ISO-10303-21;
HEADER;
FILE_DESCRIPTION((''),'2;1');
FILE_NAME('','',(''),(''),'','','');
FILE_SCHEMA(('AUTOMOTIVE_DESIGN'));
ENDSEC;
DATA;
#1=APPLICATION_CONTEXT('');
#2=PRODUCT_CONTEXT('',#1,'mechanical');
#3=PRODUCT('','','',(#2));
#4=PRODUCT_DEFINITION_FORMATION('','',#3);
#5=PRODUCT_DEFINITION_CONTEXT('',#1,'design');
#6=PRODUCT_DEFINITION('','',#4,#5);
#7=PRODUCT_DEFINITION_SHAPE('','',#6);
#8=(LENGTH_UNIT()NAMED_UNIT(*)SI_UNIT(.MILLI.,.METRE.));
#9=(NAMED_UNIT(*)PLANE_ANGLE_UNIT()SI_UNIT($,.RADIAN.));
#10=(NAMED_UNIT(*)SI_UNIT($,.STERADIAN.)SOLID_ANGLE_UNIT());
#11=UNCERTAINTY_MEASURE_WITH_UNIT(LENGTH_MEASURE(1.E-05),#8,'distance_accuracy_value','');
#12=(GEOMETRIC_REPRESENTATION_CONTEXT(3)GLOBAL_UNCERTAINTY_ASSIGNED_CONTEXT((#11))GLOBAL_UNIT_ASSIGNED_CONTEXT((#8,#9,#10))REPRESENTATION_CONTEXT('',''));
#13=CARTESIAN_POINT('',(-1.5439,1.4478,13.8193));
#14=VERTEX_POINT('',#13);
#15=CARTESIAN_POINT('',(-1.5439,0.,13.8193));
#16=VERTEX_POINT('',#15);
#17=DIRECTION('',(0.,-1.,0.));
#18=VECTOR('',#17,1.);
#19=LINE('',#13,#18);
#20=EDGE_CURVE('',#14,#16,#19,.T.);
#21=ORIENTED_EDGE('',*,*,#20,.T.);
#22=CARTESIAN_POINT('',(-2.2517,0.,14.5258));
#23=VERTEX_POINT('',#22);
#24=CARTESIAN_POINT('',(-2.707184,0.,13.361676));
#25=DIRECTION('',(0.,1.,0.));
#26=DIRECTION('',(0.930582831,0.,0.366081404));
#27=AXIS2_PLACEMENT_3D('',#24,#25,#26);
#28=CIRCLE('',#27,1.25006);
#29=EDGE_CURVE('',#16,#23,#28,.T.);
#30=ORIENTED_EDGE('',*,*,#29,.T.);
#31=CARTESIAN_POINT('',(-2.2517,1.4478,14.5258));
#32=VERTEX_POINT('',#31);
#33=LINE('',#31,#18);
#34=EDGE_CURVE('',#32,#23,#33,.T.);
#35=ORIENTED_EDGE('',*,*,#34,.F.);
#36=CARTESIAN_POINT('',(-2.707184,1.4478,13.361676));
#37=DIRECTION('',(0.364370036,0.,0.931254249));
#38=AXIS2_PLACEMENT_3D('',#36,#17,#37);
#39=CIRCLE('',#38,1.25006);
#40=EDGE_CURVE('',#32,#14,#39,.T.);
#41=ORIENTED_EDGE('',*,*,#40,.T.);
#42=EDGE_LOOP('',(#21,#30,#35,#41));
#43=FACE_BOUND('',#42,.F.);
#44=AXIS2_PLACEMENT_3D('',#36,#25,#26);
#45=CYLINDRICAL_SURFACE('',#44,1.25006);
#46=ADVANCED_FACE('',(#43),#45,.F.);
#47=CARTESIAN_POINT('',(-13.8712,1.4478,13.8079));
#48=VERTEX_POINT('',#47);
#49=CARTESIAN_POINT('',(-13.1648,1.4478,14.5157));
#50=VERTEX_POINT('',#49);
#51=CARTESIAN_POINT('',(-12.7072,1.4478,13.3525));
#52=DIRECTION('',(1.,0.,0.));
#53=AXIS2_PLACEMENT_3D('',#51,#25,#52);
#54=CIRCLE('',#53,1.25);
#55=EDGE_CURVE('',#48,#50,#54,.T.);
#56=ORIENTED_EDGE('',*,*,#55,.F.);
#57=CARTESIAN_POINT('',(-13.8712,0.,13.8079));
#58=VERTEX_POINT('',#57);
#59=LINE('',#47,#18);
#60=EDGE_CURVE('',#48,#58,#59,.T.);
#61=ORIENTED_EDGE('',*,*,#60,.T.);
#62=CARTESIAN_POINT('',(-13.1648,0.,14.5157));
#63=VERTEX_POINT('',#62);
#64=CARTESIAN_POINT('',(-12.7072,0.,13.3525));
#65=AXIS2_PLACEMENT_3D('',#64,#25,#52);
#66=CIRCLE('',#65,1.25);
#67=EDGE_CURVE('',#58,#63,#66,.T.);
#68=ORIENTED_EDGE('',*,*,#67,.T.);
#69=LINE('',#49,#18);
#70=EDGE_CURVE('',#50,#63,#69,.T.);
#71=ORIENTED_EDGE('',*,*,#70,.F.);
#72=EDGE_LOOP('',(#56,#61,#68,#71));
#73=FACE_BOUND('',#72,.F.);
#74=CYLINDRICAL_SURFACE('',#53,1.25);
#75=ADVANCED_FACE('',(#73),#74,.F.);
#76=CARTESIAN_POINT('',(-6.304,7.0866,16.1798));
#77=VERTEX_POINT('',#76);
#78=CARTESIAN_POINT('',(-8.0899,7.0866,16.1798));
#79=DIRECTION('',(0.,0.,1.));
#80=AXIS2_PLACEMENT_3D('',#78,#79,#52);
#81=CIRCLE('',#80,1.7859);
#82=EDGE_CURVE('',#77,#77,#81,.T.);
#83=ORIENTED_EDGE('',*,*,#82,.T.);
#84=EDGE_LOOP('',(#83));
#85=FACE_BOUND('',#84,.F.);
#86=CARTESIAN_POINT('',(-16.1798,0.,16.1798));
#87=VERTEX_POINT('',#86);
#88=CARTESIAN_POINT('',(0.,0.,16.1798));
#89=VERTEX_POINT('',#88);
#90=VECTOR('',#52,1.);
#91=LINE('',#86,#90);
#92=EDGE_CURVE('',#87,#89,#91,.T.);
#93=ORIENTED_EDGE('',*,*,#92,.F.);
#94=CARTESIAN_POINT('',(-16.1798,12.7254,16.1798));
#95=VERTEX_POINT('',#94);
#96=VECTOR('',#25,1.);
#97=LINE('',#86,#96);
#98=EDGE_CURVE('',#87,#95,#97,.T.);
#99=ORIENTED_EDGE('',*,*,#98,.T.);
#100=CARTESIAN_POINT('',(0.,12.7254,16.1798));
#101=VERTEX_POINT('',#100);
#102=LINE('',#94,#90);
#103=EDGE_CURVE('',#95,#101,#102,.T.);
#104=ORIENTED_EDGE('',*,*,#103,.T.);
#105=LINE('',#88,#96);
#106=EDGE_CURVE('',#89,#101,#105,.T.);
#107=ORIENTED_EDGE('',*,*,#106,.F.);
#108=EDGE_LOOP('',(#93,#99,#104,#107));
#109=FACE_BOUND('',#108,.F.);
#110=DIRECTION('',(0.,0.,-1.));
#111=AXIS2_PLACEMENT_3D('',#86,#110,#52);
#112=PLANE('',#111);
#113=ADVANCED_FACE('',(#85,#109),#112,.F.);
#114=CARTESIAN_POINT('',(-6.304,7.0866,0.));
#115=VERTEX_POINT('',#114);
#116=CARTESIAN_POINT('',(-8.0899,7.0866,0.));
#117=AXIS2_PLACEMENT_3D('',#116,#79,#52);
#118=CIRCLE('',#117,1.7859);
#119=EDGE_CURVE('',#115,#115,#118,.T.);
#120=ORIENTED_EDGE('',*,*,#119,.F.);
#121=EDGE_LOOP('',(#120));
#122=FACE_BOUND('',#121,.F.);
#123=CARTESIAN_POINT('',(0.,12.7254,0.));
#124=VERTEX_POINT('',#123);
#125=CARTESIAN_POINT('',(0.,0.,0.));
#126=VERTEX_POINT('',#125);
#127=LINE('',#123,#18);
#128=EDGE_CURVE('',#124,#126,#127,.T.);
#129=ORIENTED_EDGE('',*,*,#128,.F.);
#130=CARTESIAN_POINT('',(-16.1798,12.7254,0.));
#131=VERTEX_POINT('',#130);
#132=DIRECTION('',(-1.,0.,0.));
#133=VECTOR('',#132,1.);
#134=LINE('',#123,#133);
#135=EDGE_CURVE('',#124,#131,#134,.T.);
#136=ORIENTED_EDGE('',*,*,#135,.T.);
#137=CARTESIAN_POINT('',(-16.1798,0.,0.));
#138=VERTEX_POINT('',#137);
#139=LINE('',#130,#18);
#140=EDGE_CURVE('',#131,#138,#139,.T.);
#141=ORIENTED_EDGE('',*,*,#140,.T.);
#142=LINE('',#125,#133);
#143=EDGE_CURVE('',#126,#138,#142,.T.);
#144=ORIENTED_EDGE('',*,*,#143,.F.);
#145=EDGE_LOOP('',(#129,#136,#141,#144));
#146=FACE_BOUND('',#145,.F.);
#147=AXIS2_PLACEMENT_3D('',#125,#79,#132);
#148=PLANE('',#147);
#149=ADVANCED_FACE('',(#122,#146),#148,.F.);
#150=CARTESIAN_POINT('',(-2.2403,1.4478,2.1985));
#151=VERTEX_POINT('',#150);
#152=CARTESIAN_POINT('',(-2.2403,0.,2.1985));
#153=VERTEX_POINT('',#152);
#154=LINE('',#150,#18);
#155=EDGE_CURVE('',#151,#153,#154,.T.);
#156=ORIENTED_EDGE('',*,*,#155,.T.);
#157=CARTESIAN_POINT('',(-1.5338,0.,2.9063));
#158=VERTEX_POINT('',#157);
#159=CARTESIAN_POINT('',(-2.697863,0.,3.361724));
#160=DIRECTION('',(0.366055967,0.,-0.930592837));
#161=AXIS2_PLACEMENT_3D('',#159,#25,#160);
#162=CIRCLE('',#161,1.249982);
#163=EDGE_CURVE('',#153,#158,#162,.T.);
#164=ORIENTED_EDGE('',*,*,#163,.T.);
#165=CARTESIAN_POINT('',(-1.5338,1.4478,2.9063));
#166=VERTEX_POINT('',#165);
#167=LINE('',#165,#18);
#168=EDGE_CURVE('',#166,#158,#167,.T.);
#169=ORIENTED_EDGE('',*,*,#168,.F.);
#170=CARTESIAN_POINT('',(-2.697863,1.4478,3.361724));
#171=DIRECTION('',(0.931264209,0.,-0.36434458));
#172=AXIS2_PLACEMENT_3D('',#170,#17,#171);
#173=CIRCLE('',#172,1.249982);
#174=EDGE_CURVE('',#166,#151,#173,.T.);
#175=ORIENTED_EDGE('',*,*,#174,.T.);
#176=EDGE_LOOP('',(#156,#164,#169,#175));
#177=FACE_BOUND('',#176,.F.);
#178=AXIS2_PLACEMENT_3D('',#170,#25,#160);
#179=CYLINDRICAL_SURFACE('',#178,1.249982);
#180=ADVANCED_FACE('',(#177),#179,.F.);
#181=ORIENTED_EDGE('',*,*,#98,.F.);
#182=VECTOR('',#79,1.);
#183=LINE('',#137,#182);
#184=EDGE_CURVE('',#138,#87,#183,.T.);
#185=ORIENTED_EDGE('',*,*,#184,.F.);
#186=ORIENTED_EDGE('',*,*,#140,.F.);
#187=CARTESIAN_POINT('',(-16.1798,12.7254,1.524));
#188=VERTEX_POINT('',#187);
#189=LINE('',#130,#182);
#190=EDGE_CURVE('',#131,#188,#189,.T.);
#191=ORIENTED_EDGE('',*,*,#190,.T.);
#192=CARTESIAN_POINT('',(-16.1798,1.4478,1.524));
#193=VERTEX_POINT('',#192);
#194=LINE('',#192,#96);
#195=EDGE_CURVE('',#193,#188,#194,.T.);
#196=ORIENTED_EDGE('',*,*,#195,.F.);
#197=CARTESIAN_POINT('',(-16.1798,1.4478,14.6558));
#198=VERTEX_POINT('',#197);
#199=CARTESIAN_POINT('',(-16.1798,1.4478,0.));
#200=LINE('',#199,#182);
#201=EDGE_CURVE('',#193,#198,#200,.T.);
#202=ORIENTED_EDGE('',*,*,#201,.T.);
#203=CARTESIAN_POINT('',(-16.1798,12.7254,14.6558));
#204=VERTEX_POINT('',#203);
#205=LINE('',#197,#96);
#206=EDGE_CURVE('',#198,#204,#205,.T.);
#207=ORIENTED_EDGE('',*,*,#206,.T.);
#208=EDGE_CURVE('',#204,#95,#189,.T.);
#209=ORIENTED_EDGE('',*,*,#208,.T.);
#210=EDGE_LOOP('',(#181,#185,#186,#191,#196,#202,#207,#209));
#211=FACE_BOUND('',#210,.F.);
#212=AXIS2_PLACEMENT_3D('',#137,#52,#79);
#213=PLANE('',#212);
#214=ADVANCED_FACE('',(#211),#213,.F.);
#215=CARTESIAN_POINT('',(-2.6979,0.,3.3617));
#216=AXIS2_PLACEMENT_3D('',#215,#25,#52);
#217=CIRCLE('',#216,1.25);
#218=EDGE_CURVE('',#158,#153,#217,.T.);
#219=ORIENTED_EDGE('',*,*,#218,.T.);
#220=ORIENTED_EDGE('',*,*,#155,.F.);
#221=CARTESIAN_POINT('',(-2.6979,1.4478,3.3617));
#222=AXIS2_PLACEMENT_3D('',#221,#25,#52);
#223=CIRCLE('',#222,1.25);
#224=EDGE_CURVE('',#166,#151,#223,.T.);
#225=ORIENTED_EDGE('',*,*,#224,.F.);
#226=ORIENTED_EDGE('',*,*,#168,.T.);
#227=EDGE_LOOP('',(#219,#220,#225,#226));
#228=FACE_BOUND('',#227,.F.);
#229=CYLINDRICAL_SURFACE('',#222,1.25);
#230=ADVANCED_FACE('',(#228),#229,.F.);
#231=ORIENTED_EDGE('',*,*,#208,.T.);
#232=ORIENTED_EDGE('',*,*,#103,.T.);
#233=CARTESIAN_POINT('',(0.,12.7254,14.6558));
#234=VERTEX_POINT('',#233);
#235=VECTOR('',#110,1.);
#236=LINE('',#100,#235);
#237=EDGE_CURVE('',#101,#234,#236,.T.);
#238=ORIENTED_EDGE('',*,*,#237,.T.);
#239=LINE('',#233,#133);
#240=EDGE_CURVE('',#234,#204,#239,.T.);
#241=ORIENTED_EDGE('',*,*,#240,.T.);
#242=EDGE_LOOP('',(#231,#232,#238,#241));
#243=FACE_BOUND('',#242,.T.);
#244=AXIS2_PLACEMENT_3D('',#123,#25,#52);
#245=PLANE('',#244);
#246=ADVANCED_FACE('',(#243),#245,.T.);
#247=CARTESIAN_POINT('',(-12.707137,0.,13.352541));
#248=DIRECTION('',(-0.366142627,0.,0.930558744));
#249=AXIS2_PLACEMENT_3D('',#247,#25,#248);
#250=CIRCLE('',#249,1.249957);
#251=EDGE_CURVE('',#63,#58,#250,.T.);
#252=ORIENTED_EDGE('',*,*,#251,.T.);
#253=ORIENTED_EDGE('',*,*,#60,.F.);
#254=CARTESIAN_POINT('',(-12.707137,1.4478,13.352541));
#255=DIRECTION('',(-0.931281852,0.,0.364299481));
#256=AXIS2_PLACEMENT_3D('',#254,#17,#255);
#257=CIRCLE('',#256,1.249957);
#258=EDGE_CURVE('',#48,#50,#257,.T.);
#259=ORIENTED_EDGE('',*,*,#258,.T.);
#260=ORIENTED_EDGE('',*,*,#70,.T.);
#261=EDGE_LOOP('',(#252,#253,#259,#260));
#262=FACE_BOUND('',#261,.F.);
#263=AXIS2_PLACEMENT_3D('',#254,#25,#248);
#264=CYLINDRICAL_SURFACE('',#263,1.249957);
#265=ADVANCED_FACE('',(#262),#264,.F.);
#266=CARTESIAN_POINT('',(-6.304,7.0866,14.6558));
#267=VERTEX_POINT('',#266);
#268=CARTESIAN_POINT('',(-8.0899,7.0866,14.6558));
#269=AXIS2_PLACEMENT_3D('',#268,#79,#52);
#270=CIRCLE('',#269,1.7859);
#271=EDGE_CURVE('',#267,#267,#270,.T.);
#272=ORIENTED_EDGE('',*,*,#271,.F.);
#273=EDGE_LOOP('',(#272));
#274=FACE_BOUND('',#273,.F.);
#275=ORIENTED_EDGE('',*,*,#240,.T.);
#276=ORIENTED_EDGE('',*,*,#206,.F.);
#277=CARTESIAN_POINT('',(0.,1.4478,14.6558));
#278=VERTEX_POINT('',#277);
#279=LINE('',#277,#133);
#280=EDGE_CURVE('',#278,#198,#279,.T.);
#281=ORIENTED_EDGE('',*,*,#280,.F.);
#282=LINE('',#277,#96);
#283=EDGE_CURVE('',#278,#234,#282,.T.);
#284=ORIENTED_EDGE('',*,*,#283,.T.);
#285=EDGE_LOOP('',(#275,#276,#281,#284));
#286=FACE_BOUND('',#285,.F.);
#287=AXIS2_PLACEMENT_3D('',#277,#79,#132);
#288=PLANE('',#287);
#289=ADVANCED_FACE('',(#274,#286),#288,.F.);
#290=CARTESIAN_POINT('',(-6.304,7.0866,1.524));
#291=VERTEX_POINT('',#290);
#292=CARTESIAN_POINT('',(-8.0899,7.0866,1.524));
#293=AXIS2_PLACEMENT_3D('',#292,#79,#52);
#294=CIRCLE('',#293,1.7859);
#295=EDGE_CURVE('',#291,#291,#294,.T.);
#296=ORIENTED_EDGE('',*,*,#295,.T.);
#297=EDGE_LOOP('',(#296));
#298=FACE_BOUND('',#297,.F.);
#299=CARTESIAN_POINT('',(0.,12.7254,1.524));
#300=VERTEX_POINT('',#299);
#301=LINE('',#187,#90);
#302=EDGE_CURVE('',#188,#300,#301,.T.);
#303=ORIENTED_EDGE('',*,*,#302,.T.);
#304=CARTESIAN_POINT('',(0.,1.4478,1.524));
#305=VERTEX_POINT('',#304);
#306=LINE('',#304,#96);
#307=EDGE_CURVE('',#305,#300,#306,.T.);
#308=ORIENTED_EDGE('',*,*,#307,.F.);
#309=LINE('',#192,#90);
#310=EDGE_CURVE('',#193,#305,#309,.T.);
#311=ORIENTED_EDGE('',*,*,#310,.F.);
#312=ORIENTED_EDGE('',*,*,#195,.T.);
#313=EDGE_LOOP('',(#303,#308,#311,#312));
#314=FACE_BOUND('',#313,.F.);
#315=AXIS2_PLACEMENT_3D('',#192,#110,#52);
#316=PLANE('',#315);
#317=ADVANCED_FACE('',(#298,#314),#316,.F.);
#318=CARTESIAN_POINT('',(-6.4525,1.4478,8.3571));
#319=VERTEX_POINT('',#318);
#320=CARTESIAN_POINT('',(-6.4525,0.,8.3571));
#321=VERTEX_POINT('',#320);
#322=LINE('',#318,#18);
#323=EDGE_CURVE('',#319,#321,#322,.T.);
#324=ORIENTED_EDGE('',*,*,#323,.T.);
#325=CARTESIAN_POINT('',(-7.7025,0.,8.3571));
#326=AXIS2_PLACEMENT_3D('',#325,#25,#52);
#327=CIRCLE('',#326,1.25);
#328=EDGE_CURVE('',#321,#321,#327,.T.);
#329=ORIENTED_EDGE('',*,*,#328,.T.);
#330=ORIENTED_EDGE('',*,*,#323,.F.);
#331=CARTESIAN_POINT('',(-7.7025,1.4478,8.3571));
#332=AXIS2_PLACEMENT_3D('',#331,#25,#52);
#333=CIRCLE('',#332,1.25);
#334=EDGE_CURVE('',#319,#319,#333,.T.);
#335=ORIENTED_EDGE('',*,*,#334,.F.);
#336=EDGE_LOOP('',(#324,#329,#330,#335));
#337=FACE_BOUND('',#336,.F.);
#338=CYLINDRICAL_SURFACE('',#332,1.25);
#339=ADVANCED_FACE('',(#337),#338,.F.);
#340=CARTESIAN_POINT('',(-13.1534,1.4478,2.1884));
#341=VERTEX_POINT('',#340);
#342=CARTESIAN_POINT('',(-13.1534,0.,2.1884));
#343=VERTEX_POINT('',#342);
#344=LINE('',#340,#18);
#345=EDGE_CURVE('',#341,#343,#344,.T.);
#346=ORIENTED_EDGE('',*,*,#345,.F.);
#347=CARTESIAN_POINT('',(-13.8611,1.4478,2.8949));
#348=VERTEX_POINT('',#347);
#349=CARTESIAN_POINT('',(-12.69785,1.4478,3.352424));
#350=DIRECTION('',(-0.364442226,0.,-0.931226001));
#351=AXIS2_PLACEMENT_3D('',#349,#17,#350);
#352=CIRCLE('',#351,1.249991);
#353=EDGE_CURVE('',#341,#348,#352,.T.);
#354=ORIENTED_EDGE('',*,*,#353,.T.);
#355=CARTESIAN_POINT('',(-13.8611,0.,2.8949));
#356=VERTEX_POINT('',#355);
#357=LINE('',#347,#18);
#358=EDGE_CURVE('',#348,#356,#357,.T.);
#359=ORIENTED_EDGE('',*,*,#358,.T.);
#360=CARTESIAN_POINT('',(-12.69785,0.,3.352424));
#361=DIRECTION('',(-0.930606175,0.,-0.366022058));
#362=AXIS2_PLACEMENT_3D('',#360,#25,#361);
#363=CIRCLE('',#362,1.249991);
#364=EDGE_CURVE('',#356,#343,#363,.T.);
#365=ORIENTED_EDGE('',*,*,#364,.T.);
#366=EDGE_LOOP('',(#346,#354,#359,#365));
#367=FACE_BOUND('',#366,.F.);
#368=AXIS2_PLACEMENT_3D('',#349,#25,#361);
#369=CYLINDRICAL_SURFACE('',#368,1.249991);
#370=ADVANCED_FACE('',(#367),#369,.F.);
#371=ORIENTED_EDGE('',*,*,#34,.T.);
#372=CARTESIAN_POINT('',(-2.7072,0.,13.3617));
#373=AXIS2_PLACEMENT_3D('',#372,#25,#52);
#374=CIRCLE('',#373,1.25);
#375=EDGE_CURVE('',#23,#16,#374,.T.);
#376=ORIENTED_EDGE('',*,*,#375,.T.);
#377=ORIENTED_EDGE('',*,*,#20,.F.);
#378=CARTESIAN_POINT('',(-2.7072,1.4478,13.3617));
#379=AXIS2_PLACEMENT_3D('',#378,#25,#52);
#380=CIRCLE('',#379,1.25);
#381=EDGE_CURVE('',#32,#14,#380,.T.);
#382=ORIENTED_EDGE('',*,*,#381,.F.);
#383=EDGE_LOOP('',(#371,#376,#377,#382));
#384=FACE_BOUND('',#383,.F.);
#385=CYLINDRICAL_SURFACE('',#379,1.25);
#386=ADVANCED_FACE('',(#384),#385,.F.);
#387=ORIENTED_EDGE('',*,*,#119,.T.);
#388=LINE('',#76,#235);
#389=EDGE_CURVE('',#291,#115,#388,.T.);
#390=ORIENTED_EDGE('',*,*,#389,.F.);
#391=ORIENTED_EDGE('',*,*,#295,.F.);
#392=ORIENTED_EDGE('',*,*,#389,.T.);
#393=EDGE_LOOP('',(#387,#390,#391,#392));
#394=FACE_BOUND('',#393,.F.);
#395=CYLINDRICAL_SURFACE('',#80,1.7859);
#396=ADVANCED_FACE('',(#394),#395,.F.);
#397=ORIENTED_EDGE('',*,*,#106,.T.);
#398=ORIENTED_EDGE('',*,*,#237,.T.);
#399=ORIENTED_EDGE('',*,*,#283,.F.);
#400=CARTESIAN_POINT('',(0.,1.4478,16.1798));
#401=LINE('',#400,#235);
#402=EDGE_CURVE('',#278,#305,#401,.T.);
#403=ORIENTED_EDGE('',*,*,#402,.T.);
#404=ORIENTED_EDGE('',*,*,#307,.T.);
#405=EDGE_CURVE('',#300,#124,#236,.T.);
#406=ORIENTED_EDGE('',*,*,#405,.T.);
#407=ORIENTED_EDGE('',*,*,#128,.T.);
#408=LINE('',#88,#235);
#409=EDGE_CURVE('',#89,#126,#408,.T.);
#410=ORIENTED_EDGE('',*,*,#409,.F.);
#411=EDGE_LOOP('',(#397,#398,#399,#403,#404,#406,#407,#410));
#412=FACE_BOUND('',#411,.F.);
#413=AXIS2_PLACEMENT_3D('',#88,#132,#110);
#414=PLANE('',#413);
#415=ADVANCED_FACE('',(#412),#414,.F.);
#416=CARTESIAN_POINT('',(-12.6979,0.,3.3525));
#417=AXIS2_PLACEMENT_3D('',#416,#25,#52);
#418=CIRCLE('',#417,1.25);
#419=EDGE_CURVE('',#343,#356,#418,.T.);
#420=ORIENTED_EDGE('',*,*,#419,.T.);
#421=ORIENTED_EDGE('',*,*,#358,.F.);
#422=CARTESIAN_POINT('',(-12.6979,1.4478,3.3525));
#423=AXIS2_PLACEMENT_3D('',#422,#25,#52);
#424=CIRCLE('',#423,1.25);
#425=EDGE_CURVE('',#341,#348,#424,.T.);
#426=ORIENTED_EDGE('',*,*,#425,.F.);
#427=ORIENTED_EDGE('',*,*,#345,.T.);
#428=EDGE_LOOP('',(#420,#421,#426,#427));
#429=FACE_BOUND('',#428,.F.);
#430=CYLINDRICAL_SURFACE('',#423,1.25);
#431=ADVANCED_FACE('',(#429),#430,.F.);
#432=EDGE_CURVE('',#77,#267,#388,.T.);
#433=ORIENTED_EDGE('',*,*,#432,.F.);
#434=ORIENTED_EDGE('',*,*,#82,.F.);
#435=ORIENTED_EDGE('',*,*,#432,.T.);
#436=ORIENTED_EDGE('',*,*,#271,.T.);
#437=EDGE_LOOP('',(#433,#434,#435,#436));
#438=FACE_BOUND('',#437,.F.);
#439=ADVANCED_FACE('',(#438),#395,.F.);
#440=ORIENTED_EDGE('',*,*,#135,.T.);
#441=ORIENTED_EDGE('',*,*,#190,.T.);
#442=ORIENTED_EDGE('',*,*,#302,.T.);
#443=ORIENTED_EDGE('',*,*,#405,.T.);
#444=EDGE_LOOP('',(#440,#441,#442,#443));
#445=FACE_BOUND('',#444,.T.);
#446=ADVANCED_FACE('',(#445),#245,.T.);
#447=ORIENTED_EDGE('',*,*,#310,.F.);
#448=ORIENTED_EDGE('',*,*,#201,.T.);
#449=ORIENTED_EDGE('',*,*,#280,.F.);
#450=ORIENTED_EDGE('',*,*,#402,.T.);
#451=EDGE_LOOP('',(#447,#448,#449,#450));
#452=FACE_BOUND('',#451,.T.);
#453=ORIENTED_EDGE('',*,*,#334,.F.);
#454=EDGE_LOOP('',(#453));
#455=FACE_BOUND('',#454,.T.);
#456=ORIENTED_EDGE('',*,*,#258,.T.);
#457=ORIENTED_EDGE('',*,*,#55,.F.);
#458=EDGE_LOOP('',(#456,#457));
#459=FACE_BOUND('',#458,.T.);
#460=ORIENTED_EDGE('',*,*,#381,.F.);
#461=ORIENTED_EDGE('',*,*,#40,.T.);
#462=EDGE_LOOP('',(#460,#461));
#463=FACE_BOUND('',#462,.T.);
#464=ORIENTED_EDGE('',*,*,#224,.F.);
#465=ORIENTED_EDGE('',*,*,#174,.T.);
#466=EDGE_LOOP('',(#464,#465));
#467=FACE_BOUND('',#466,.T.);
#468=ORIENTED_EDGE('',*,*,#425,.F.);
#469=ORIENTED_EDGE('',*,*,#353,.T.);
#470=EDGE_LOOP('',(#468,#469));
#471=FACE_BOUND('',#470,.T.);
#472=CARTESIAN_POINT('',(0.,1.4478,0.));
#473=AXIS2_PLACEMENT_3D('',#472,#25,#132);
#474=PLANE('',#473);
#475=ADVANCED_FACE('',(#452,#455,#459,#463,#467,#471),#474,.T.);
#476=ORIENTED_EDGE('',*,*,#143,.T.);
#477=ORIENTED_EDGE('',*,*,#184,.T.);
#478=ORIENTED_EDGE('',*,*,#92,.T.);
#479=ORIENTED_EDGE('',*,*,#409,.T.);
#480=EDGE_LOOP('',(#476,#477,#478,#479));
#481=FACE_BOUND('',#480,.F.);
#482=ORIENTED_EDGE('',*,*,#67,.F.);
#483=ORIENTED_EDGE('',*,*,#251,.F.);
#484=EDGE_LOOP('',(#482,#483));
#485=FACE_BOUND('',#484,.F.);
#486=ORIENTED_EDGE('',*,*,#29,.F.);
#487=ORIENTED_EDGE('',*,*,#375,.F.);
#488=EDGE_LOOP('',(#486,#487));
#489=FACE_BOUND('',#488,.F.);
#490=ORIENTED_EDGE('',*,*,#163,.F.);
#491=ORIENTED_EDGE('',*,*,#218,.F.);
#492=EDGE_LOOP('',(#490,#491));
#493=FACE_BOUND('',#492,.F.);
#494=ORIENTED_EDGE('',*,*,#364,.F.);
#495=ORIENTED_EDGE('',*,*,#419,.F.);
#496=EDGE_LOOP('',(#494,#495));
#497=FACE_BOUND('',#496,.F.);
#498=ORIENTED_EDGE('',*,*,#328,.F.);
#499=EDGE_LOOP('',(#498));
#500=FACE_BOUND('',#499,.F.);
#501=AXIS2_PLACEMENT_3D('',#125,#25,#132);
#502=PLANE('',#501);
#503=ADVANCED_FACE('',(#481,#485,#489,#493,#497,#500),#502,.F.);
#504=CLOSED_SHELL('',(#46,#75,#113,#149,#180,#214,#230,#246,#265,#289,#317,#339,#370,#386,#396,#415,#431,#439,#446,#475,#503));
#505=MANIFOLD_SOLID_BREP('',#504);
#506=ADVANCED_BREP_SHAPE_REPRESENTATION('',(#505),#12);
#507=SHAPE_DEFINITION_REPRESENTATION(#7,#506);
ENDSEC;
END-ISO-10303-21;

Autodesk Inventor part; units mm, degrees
ref_plane "YZ Plane" through (0, 0, 0) normal (1, 0, 0) x (0, 1, 0)
ref_plane "XZ Plane" through (0, 0, 0) normal (0, 1, 0) x (-1, 0, 0)
ref_plane "XY Plane" through (0, 0, 0) normal (0, 0, 1) x (1, 0, 0)
sketch "Sketch1" plane through (0, 0, 0) normal (0, 1, 0) x (-1, 0, 0)
  line L0 (16.1798, 16.1798) -> (0, 16.1798)
  line L1 (0, 16.1798) -> (0, 0)
  line L2 (0, 0) -> (16.1798, 0)
  line L3 (16.1798, 0) -> (16.1798, 16.1798)
  dimension "d0" = 16.1798
  dimension "d1" = 16.1798
extrude "Extrusion1" add sketch "Sketch1" along normal blind 1.4478
sketch "Sketch2" plane through (0, 1.4478, 0) normal (0, 1, 0) x (1, 0, 0)
  line L0 (0, -16.1798) -> (0, 0) projected
  line L1 (-16.1798, 0) -> (-16.1798, -16.1798) projected
  line L2 (0, 0) -> (-16.1798, 0)
  line L3 (-16.1798, 0) -> (-16.1798, -1.524)
  line L4 (-16.1798, -1.524) -> (0, -1.524)
  line L5 (0, -1.524) -> (0, 0)
  line L6 (-16.1798, -16.1798) -> (0, -16.1798)
  line L7 (0, -16.1798) -> (0, -14.6558)
  line L8 (0, -14.6558) -> (-16.1798, -14.6558)
  line L9 (-16.1798, -14.6558) -> (-16.1798, -16.1798)
  dimension "d4" = 1.524
  dimension "d5" = 1.524
extrude "Extrusion2" add sketch "Sketch2" along normal blind 11.2776 contours L6 L1 L8 L0 | L4 L1 L2 L0
sketch "Sketch3" plane through (-16.1798, 0, 16.1798) normal (0, 0, 1) x (1, 0, 0)
  circle A0 centre (8.0899, 7.0866) radius 1.7859
  line L0 (0, 1.4478) -> (0, 12.7254) construction
  line L1 (0, 7.0866) -> (16.1798, 7.0866) construction
  line L2 (16.1798, 1.4478) -> (16.1798, 12.7254) construction
  line L3 (16.1798, 12.7254) -> (0, 12.7254) construction
  line L4 (8.0899, 12.7254) -> (8.0899, 0) construction
  line L5 (0, 0) -> (16.1798, 0) construction
  dimension "d8" = 3.5719
extrude "Extrusion3" cut sketch "Sketch3" against normal through all
sketch "Sketch4" plane through (0, 1.4478, 0) normal (0, 1, 0) x (1, 0, 0)
  circle A0 centre (-7.7025, -8.3571) radius 1.25 projected
  arc A1 (-13.8611, -2.8949) -> (-13.1534, -2.1884) centre (-12.6979, -3.3525) ccw projected
  arc A2 (-2.2403, -2.1985) -> (-1.5338, -2.9063) centre (-2.6979, -3.3617) ccw projected
  arc A3 (-1.5439, -13.8193) -> (-2.2517, -14.5258) centre (-2.7072, -13.3617) ccw projected
  arc A4 (-13.1648, -14.5157) -> (-13.8712, -13.8079) centre (-12.7072, -13.3525) ccw projected
  circle A5 centre (-12.7072, -13.3525) radius 1.25
  circle A6 centre (-12.6979, -3.3525) radius 1.25
  circle A7 centre (-12.6979, -3.3525) radius 1.25
  circle A8 centre (-2.7072, -13.3617) radius 1.25
  circle A9 centre (-2.6979, -3.3617) radius 1.25
  point P0 (0, 0)
extrude "Extrusion4" cut sketch "Sketch4" against normal through all
properties part number "channel1 of lift pivot"
